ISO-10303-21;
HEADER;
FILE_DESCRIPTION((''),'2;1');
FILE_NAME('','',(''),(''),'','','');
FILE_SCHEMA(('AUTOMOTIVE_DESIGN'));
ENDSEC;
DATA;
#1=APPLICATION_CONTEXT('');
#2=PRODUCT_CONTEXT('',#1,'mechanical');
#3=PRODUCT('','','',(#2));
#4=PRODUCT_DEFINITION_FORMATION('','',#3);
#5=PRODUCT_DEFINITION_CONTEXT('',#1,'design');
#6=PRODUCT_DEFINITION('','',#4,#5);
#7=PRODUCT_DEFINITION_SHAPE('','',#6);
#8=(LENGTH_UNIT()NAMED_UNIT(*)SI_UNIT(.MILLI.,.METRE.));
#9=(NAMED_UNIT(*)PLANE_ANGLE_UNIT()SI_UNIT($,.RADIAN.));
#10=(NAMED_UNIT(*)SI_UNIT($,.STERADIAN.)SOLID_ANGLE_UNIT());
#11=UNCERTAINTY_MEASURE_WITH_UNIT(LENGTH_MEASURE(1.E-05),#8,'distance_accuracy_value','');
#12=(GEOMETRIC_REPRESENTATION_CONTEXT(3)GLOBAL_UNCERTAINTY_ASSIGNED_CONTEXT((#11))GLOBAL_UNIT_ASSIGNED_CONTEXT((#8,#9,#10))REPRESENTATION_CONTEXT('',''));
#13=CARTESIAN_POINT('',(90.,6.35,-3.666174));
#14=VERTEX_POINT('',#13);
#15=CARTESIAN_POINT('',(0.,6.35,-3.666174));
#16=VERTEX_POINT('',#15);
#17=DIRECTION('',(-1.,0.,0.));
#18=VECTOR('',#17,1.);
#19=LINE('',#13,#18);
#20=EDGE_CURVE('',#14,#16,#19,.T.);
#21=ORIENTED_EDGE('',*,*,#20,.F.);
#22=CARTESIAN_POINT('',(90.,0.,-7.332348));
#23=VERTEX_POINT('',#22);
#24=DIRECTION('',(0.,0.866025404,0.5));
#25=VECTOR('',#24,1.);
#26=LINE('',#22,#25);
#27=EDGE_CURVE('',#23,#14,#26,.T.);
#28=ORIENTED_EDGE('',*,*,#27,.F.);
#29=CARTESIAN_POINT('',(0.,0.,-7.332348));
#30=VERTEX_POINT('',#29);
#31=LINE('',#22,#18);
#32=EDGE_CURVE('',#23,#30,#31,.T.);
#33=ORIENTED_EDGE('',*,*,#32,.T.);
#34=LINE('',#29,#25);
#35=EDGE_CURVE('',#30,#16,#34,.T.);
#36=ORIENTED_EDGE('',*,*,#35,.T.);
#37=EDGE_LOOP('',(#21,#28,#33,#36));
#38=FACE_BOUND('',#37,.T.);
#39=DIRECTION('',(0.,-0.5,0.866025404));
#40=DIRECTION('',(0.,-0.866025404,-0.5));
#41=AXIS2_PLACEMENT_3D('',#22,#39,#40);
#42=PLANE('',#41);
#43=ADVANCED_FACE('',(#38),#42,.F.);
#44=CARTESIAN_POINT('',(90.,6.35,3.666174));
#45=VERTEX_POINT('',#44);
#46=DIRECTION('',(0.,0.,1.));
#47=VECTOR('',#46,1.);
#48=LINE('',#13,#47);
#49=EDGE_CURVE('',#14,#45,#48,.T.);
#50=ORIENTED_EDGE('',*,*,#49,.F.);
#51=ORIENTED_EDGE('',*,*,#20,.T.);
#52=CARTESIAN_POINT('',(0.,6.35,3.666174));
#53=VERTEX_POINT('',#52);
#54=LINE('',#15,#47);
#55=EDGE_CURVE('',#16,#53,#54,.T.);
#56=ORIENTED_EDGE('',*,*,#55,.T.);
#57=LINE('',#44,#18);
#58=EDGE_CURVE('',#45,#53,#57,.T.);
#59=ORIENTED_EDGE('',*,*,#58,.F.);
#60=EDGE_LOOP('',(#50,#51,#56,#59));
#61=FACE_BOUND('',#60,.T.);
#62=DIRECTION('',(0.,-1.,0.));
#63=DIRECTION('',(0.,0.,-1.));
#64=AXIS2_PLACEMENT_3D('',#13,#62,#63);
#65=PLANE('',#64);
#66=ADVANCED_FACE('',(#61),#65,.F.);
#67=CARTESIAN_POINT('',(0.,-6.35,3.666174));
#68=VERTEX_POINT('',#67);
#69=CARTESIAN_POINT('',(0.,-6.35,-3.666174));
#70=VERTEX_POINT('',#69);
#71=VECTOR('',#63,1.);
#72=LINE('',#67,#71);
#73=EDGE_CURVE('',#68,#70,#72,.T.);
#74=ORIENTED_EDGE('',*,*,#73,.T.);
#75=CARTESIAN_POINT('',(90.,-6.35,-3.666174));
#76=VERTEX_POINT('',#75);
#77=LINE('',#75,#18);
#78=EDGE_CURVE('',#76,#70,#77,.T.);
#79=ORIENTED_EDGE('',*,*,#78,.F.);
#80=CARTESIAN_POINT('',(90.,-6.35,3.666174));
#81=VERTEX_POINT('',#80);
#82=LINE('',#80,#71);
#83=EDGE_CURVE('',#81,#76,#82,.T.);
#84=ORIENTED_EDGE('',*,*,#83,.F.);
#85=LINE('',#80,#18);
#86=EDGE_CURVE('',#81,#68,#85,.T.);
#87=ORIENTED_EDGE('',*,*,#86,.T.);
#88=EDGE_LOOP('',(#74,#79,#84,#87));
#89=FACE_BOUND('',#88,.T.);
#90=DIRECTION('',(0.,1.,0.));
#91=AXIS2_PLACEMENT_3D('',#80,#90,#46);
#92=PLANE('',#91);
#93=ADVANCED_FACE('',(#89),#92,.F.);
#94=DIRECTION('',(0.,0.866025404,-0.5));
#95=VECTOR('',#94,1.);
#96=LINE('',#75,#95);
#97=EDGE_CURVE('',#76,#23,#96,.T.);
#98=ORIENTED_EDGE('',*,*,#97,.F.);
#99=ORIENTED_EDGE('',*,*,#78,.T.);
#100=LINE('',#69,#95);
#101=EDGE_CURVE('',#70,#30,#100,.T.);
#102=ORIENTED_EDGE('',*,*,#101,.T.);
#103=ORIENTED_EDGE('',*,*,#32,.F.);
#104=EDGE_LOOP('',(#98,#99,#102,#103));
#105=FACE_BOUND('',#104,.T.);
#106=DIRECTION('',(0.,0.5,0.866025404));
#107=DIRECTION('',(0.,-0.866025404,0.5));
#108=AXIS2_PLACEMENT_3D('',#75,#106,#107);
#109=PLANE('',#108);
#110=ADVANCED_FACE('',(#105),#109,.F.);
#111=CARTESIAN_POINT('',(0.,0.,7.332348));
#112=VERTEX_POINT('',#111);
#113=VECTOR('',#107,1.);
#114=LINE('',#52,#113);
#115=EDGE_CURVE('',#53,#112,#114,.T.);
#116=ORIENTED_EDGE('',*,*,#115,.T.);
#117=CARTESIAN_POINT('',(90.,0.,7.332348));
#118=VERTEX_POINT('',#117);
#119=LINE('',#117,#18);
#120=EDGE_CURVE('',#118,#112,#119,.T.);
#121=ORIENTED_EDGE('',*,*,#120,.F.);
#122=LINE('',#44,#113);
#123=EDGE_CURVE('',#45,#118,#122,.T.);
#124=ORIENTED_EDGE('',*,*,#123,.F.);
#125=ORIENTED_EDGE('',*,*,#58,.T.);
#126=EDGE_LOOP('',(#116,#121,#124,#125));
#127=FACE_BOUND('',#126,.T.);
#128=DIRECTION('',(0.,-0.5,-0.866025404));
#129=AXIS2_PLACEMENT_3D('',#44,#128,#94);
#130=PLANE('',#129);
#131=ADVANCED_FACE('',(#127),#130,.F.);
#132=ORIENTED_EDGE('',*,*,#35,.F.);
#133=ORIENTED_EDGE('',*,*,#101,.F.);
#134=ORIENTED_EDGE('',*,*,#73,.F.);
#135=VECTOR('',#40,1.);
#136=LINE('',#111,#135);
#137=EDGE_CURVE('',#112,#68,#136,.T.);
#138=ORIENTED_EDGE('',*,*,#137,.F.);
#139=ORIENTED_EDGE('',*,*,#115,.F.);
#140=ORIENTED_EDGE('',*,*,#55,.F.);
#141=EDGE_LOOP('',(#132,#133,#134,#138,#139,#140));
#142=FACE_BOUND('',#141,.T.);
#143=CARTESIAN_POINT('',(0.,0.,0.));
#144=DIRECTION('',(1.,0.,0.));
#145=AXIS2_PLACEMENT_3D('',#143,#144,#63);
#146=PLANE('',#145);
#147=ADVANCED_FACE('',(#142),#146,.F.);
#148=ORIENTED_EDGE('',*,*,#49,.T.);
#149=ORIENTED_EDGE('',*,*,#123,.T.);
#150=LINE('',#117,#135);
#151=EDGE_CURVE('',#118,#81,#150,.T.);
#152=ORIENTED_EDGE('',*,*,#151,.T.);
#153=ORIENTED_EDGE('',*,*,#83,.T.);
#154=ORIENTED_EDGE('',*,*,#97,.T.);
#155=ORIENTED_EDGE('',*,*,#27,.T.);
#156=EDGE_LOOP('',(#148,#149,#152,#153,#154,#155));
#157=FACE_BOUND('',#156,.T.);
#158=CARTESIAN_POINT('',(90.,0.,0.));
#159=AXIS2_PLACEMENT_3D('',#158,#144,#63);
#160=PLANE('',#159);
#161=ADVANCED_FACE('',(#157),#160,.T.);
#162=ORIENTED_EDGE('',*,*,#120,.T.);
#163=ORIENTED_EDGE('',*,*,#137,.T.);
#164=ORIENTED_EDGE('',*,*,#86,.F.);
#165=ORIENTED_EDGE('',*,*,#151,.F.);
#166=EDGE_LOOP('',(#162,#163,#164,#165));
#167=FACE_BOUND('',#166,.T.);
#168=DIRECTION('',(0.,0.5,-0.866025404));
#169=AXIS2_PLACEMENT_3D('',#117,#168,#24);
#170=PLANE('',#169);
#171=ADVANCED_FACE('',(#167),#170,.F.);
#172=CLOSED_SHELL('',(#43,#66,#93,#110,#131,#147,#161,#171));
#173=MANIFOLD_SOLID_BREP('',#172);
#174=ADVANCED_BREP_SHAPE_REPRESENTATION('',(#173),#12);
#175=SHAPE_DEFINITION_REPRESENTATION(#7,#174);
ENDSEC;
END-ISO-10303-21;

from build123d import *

# Parameters (mm, degrees)
BOSS_EXTRUDE1_DEPTH = 90


with BuildPart() as part:
    # Sketch1 → Boss-Extrude1 (new body)
    with BuildSketch(Plane(origin=(0, 0, 0), x_dir=(0, 0, -1), z_dir=(1, 0, 0))):
        Polygon((7.332348419, 0), (3.666174209, 6.35), (-3.666174209, 6.35), (-7.332348419, 0), (-3.666174209, -6.35), (3.666174209, -6.35), align=None)
    extrude(amount=BOSS_EXTRUDE1_DEPTH)


solid = part.part
